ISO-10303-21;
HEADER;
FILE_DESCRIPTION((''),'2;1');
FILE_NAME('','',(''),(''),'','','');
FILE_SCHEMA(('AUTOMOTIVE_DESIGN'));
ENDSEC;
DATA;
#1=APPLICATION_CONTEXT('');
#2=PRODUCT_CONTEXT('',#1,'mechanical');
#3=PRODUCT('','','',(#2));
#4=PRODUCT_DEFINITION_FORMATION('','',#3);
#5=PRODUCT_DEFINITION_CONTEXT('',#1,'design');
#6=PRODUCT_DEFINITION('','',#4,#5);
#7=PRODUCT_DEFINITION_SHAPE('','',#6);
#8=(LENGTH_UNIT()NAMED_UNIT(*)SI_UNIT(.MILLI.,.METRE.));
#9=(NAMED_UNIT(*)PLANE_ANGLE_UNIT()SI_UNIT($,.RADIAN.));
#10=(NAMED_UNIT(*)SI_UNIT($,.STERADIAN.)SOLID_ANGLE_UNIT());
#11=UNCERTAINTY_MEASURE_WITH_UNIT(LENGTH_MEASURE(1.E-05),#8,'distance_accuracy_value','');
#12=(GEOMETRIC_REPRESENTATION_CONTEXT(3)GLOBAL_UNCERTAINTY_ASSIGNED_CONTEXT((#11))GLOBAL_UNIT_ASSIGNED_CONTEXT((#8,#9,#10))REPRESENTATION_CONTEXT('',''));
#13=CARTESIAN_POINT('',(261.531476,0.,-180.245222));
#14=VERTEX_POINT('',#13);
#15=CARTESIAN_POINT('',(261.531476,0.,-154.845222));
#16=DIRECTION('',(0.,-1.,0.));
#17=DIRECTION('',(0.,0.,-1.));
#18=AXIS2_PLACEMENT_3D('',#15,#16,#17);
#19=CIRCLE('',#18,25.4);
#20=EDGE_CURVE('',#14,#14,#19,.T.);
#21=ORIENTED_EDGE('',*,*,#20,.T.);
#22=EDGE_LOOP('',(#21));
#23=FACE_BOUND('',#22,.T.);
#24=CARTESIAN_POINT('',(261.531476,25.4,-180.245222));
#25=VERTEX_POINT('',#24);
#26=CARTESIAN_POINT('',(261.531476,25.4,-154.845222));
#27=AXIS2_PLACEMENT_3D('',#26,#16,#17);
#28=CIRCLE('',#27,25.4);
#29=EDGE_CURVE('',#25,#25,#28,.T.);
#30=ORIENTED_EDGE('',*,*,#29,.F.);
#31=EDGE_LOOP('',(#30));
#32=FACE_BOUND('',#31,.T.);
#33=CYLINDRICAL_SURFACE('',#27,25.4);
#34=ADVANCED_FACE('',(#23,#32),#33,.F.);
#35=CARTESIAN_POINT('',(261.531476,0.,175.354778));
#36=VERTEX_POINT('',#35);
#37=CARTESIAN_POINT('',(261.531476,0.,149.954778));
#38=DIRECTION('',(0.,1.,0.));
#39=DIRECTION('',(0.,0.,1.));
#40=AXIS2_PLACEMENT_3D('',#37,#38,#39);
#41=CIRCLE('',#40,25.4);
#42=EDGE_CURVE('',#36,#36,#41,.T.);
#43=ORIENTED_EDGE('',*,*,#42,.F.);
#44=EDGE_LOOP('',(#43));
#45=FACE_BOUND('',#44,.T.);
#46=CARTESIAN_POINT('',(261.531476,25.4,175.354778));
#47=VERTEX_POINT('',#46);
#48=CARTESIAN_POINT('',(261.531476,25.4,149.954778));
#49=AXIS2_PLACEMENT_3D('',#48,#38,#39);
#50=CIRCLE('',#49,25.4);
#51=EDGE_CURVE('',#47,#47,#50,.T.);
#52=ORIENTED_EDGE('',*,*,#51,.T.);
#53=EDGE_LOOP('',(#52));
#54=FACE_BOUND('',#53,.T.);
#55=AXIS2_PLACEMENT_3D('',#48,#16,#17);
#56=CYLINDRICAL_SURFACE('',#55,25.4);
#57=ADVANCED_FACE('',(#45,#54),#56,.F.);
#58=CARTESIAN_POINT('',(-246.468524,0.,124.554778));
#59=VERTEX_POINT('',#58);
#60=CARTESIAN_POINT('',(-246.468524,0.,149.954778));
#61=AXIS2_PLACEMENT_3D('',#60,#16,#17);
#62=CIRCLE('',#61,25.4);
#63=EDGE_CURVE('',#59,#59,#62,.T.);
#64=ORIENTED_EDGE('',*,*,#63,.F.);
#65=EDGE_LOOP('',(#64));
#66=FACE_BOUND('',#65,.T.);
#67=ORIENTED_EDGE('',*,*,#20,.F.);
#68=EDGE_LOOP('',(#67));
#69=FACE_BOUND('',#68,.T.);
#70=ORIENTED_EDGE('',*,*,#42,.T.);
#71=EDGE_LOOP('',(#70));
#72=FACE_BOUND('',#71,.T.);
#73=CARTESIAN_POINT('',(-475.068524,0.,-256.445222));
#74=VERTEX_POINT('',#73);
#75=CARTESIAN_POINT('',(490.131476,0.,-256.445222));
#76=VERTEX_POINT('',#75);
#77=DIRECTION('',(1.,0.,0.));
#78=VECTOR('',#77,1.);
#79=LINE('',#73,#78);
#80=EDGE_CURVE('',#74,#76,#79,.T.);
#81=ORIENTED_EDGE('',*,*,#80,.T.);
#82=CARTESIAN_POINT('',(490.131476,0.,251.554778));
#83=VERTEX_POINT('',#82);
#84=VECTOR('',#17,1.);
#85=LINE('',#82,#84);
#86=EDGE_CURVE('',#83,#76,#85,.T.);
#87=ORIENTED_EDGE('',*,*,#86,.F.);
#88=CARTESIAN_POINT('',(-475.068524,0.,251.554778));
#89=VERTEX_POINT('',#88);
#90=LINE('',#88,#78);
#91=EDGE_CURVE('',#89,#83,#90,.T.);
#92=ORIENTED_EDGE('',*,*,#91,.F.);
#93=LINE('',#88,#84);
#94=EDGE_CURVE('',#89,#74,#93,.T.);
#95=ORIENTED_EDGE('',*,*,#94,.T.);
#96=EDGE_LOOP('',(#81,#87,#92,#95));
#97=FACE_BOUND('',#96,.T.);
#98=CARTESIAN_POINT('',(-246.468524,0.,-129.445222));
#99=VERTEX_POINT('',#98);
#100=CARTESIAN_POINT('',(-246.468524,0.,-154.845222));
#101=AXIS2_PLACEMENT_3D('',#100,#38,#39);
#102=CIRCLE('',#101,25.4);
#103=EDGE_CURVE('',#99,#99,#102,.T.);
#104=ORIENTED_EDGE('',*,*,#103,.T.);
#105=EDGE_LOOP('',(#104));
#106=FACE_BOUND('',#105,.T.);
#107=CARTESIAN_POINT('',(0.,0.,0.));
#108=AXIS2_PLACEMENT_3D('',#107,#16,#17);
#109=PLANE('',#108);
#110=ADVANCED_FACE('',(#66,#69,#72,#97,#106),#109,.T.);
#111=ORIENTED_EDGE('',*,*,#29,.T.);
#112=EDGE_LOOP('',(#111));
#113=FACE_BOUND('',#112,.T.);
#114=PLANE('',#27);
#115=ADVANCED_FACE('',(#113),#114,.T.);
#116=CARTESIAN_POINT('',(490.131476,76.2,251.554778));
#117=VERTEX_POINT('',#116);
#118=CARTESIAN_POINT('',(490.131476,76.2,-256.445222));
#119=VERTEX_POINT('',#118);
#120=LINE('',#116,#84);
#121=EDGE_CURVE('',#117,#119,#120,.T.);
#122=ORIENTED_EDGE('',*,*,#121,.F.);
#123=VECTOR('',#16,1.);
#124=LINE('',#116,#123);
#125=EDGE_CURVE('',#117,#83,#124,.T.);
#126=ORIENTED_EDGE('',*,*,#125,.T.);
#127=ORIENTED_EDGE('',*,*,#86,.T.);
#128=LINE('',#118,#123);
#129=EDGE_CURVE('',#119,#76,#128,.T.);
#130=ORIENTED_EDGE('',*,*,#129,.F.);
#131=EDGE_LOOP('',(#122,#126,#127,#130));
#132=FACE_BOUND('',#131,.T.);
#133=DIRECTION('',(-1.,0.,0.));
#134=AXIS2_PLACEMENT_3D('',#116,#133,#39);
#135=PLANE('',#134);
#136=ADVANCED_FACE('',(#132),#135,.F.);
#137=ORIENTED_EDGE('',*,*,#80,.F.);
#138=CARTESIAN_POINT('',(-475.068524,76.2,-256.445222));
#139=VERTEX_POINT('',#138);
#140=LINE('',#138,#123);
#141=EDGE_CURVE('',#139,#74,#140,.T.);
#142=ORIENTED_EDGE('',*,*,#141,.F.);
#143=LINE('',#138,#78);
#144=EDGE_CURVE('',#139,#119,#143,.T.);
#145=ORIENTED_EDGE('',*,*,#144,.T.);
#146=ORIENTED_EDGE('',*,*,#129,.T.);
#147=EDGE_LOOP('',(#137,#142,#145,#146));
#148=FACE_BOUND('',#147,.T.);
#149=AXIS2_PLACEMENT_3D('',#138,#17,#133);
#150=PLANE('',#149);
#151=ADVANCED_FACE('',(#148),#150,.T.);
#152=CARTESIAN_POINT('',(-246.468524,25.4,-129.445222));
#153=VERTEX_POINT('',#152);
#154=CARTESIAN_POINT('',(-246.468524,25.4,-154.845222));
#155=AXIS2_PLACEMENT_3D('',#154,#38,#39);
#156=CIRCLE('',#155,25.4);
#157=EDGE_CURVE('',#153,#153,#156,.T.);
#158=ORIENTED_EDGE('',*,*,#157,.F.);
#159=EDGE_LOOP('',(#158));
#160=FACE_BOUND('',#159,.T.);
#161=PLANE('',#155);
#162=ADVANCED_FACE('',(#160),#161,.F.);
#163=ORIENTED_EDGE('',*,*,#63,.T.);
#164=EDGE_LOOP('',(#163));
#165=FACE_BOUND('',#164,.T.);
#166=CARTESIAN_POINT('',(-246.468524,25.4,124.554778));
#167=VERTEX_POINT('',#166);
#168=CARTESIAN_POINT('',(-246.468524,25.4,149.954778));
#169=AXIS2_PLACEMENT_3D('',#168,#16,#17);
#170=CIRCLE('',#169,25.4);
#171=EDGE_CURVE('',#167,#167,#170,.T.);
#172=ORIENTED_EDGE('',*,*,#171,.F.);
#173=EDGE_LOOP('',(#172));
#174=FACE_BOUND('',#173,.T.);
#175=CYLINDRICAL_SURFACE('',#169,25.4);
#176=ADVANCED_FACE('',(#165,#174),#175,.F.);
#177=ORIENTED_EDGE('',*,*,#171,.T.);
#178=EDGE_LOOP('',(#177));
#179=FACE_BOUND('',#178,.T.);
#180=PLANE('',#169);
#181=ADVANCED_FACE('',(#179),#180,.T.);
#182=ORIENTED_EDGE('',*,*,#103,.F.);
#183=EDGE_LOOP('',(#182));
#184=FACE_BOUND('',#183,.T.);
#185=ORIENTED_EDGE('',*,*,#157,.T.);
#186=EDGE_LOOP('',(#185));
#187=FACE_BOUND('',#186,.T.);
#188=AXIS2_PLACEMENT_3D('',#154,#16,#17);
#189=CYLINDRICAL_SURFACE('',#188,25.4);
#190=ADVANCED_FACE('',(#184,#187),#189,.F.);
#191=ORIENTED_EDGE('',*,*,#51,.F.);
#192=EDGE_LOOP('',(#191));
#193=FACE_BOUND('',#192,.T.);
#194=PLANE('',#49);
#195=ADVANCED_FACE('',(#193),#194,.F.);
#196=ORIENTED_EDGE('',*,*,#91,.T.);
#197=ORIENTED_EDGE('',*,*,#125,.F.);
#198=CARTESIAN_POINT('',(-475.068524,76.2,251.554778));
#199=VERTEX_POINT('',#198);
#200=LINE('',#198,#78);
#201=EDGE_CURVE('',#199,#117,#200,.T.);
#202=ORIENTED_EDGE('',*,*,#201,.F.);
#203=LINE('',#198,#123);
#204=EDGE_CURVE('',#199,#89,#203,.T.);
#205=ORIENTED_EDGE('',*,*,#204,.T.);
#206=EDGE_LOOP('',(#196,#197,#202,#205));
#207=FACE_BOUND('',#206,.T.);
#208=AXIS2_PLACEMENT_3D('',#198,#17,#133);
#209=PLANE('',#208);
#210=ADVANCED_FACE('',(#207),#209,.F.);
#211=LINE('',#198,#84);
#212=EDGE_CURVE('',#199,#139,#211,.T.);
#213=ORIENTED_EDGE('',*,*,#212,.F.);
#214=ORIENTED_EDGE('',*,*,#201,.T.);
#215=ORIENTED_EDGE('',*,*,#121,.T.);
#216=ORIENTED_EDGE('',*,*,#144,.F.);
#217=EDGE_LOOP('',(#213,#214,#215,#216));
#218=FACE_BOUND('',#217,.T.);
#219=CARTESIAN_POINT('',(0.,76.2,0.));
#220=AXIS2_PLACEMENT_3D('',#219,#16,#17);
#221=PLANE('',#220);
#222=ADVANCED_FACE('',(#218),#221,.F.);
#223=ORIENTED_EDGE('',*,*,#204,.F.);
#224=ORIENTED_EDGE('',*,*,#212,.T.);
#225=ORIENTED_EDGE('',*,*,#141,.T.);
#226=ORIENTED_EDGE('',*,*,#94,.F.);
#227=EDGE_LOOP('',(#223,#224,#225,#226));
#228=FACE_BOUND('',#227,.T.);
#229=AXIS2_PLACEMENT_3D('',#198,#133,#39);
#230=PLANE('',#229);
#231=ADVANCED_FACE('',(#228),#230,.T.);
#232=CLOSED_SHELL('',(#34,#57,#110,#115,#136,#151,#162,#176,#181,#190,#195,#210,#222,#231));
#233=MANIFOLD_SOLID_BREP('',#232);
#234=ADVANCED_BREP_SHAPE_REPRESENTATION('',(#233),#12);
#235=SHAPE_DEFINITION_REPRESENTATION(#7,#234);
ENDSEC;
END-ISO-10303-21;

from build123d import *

# Parameters (mm, degrees)
SKETCH1_W           = 965.2
SKETCH1_H           = 508
BOSS_EXTRUDE1_DEPTH = 76.2
SKETCH1_5_R         = 25.4
CUT_EXTRUDE1_DEPTH  = 25.4


with BuildPart() as part:
    # Sketch1 → Boss-Extrude1 (new body)
    with BuildSketch(Plane(origin=(0, 0, 0), x_dir=(1, 0, 0), z_dir=(0, 1, 0))):
        with Locations((7.531475682, 2.445222165)):
            Rectangle(SKETCH1_W, SKETCH1_H)
    extrude(amount=BOSS_EXTRUDE1_DEPTH)

    # Sketch1<5> → Cut-Extrude1 (cut)
    with BuildSketch(Plane(origin=(0, 0, 0), x_dir=(1, 0, 0), z_dir=(0, 1, 0))):
        with Locations((-246.468524318, 154.845222165)):
            Circle(SKETCH1_5_R)
        with Locations((261.531475682, 154.845222165)):
            Circle(SKETCH1_5_R)
        with Locations((261.531475682, -149.954777835)):
            Circle(SKETCH1_5_R)
        with Locations((-246.468524318, -149.954777835)):
            Circle(SKETCH1_5_R)
    extrude(amount=CUT_EXTRUDE1_DEPTH, mode=Mode.SUBTRACT)


solid = part.part
